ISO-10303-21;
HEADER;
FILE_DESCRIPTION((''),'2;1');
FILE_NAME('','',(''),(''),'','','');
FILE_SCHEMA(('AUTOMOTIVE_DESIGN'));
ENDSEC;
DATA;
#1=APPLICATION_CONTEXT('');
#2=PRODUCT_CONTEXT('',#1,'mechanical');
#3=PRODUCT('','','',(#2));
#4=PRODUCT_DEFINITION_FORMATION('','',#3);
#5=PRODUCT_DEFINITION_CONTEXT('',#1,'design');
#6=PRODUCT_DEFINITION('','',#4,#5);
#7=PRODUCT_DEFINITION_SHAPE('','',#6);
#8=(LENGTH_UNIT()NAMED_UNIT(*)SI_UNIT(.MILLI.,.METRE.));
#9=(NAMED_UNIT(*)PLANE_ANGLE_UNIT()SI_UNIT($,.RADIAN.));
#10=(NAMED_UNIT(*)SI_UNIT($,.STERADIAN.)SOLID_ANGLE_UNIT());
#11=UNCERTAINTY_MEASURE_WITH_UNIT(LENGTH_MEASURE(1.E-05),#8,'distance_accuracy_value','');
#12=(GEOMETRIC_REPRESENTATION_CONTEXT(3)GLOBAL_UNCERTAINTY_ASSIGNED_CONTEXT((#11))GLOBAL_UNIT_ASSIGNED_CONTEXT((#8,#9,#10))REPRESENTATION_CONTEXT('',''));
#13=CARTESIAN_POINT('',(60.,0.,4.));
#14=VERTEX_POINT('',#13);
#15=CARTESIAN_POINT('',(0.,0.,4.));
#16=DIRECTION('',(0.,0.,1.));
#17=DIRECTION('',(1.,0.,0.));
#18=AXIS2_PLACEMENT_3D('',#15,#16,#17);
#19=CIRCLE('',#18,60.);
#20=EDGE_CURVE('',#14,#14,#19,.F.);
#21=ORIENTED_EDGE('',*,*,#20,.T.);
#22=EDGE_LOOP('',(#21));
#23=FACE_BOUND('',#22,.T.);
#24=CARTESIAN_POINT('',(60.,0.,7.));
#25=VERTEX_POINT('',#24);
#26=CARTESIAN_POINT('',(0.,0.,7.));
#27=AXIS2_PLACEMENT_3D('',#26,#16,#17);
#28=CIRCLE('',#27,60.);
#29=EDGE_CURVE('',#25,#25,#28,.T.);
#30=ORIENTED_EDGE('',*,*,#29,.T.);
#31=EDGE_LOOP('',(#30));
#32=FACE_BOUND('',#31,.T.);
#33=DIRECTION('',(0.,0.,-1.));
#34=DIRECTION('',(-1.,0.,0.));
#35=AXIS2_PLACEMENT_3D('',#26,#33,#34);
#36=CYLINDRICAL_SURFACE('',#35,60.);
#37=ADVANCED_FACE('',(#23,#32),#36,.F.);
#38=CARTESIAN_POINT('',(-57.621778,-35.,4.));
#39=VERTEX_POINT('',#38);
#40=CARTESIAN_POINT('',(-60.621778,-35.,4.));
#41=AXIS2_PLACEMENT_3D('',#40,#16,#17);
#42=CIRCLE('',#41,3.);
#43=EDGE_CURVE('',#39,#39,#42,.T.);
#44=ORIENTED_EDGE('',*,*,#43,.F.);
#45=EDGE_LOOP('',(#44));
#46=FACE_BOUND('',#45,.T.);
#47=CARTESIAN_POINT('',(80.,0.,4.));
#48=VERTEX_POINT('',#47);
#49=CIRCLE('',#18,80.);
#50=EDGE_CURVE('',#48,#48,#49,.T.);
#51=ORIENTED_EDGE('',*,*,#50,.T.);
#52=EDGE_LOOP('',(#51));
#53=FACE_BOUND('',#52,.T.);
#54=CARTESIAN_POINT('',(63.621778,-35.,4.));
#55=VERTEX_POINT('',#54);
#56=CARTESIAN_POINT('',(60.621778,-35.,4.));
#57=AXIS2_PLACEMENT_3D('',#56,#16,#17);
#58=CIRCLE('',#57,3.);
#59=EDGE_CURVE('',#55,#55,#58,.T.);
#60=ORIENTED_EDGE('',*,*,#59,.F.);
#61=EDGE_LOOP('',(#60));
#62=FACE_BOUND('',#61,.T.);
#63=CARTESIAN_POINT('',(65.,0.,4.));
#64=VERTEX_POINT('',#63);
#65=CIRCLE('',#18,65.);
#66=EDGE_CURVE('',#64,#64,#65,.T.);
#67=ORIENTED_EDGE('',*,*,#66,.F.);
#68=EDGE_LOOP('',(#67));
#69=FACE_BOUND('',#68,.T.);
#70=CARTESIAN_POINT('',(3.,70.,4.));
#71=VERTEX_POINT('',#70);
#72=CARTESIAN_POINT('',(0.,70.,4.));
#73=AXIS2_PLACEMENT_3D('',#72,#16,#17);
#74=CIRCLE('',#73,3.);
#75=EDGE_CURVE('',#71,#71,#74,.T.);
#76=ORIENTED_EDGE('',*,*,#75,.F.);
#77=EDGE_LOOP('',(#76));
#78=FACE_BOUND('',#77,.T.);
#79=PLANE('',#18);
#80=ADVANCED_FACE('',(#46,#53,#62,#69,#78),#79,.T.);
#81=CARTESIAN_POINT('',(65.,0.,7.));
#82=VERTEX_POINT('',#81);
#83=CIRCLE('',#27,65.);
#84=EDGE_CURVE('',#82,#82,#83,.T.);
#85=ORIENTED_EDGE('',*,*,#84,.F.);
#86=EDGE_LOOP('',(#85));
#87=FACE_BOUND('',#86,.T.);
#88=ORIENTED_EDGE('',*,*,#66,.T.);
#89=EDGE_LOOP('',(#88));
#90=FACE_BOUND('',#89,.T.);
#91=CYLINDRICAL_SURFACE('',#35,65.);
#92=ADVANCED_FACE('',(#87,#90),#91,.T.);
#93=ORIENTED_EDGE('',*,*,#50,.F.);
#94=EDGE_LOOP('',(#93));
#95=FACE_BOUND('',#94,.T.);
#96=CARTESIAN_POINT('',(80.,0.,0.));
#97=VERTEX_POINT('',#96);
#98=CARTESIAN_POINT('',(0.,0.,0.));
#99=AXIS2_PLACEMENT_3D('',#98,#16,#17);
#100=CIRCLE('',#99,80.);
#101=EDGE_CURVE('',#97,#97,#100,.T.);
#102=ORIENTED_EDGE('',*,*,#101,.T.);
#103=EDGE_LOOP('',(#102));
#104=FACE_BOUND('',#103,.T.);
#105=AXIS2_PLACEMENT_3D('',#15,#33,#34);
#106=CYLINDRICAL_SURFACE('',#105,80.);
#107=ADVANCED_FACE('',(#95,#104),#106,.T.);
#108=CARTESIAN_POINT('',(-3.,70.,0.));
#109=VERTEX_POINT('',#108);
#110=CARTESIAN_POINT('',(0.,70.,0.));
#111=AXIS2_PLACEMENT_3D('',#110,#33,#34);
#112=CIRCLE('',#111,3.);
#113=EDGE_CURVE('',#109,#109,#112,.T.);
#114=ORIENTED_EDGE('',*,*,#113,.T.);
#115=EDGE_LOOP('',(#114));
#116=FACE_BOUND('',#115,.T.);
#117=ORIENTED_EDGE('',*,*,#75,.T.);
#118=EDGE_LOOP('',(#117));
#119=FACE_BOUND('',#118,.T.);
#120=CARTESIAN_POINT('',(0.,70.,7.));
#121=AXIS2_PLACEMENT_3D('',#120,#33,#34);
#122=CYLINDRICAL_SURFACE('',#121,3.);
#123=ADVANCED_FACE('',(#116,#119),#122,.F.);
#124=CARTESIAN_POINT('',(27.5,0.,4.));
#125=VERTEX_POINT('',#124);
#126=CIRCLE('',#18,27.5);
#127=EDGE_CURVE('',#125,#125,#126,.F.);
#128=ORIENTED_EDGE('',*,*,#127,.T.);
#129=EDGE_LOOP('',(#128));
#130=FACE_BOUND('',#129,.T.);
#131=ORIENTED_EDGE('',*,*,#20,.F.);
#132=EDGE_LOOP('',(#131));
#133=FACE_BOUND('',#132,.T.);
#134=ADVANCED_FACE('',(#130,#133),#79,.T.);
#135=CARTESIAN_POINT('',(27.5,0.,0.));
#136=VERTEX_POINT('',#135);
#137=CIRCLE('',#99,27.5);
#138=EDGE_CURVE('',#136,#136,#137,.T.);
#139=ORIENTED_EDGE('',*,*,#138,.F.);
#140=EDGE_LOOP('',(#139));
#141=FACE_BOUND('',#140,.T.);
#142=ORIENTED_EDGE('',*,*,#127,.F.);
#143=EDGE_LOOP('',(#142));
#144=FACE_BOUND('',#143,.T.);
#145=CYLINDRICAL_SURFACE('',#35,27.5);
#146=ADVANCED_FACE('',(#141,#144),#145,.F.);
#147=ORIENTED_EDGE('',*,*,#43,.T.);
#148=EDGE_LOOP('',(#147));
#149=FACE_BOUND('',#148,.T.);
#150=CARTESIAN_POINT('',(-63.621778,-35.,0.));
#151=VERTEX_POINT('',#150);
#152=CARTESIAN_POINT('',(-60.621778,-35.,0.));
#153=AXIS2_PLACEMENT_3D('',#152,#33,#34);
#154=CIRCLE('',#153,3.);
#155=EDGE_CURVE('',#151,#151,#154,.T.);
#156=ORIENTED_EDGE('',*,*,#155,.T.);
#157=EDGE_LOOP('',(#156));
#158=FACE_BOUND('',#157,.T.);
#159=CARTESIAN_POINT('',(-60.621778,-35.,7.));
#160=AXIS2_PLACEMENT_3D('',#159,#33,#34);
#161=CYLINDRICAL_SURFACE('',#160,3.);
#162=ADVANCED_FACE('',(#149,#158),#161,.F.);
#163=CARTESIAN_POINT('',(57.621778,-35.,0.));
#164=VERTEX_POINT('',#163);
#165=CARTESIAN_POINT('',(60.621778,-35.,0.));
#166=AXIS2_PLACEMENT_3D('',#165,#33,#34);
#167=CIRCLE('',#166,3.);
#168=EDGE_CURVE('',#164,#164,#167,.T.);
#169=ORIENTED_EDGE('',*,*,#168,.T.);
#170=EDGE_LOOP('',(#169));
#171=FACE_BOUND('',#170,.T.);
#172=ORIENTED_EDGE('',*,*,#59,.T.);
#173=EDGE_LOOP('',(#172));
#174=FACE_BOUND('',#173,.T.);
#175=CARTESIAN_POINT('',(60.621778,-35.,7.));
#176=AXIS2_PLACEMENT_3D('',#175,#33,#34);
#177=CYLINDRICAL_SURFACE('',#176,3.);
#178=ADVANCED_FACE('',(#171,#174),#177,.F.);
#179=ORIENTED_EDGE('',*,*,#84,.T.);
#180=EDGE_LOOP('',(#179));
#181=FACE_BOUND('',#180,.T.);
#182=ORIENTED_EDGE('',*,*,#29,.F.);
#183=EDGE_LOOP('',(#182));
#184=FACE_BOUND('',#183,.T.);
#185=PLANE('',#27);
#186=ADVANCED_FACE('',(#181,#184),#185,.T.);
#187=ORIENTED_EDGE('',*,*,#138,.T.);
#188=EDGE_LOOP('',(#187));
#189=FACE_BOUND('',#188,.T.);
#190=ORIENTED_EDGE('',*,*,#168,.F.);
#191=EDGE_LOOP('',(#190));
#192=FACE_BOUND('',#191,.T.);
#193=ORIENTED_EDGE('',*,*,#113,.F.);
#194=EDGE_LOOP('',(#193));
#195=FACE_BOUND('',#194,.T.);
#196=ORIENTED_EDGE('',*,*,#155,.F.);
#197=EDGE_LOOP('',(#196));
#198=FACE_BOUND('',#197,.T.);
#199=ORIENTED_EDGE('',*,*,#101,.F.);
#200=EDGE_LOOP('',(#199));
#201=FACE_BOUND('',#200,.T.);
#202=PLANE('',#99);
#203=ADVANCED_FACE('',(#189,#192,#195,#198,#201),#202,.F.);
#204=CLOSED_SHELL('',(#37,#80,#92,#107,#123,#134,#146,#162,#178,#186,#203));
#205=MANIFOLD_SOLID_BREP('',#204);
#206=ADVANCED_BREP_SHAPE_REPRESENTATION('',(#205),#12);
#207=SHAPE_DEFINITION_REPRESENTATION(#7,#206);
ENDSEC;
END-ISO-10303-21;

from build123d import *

# Parameters (mm, degrees)
SKETCH1_R           = 80
BOSS_EXTRUDE1_DEPTH = 4
SKETCH2_R           = 65
SKETCH2_R_2         = 60
BOSS_EXTRUDE2_DEPTH = 3
SKETCH3_R           = 3
CUT_EXTRUDE2_DEPTH  = 8
SKETCH5_R           = 27.5
CUT_EXTRUDE4_DEPTH  = 8


with BuildPart() as part:
    # Sketch1 → Boss-Extrude1 (new body)
    with BuildSketch(Plane.XY):
        Circle(SKETCH1_R)
    extrude(amount=BOSS_EXTRUDE1_DEPTH)

    # Sketch2 → Boss-Extrude2 (add)
    with BuildSketch(Plane.XY.offset(4)):
        Circle(SKETCH2_R)
        Circle(SKETCH2_R_2, mode=Mode.SUBTRACT)
    extrude(amount=BOSS_EXTRUDE2_DEPTH)

    # Sketch3 → Cut-Extrude2 (cut, through all)
    with BuildSketch(Plane(origin=(0, 0, 0), x_dir=(-1, 0, 0), z_dir=(0, 0, -1))):
        with Locations((0, 70)):
            Circle(SKETCH3_R)
        with Locations((60.621778265, -35)):
            Circle(SKETCH3_R)
        with Locations((-60.621778265, -35)):
            Circle(SKETCH3_R)
    extrude(amount=-CUT_EXTRUDE2_DEPTH, mode=Mode.SUBTRACT)

    # Sketch5 → Cut-Extrude4 (cut, through all)
    with BuildSketch(Plane.XY):
        Circle(SKETCH5_R)
    extrude(amount=CUT_EXTRUDE4_DEPTH, mode=Mode.SUBTRACT)


solid = part.part
